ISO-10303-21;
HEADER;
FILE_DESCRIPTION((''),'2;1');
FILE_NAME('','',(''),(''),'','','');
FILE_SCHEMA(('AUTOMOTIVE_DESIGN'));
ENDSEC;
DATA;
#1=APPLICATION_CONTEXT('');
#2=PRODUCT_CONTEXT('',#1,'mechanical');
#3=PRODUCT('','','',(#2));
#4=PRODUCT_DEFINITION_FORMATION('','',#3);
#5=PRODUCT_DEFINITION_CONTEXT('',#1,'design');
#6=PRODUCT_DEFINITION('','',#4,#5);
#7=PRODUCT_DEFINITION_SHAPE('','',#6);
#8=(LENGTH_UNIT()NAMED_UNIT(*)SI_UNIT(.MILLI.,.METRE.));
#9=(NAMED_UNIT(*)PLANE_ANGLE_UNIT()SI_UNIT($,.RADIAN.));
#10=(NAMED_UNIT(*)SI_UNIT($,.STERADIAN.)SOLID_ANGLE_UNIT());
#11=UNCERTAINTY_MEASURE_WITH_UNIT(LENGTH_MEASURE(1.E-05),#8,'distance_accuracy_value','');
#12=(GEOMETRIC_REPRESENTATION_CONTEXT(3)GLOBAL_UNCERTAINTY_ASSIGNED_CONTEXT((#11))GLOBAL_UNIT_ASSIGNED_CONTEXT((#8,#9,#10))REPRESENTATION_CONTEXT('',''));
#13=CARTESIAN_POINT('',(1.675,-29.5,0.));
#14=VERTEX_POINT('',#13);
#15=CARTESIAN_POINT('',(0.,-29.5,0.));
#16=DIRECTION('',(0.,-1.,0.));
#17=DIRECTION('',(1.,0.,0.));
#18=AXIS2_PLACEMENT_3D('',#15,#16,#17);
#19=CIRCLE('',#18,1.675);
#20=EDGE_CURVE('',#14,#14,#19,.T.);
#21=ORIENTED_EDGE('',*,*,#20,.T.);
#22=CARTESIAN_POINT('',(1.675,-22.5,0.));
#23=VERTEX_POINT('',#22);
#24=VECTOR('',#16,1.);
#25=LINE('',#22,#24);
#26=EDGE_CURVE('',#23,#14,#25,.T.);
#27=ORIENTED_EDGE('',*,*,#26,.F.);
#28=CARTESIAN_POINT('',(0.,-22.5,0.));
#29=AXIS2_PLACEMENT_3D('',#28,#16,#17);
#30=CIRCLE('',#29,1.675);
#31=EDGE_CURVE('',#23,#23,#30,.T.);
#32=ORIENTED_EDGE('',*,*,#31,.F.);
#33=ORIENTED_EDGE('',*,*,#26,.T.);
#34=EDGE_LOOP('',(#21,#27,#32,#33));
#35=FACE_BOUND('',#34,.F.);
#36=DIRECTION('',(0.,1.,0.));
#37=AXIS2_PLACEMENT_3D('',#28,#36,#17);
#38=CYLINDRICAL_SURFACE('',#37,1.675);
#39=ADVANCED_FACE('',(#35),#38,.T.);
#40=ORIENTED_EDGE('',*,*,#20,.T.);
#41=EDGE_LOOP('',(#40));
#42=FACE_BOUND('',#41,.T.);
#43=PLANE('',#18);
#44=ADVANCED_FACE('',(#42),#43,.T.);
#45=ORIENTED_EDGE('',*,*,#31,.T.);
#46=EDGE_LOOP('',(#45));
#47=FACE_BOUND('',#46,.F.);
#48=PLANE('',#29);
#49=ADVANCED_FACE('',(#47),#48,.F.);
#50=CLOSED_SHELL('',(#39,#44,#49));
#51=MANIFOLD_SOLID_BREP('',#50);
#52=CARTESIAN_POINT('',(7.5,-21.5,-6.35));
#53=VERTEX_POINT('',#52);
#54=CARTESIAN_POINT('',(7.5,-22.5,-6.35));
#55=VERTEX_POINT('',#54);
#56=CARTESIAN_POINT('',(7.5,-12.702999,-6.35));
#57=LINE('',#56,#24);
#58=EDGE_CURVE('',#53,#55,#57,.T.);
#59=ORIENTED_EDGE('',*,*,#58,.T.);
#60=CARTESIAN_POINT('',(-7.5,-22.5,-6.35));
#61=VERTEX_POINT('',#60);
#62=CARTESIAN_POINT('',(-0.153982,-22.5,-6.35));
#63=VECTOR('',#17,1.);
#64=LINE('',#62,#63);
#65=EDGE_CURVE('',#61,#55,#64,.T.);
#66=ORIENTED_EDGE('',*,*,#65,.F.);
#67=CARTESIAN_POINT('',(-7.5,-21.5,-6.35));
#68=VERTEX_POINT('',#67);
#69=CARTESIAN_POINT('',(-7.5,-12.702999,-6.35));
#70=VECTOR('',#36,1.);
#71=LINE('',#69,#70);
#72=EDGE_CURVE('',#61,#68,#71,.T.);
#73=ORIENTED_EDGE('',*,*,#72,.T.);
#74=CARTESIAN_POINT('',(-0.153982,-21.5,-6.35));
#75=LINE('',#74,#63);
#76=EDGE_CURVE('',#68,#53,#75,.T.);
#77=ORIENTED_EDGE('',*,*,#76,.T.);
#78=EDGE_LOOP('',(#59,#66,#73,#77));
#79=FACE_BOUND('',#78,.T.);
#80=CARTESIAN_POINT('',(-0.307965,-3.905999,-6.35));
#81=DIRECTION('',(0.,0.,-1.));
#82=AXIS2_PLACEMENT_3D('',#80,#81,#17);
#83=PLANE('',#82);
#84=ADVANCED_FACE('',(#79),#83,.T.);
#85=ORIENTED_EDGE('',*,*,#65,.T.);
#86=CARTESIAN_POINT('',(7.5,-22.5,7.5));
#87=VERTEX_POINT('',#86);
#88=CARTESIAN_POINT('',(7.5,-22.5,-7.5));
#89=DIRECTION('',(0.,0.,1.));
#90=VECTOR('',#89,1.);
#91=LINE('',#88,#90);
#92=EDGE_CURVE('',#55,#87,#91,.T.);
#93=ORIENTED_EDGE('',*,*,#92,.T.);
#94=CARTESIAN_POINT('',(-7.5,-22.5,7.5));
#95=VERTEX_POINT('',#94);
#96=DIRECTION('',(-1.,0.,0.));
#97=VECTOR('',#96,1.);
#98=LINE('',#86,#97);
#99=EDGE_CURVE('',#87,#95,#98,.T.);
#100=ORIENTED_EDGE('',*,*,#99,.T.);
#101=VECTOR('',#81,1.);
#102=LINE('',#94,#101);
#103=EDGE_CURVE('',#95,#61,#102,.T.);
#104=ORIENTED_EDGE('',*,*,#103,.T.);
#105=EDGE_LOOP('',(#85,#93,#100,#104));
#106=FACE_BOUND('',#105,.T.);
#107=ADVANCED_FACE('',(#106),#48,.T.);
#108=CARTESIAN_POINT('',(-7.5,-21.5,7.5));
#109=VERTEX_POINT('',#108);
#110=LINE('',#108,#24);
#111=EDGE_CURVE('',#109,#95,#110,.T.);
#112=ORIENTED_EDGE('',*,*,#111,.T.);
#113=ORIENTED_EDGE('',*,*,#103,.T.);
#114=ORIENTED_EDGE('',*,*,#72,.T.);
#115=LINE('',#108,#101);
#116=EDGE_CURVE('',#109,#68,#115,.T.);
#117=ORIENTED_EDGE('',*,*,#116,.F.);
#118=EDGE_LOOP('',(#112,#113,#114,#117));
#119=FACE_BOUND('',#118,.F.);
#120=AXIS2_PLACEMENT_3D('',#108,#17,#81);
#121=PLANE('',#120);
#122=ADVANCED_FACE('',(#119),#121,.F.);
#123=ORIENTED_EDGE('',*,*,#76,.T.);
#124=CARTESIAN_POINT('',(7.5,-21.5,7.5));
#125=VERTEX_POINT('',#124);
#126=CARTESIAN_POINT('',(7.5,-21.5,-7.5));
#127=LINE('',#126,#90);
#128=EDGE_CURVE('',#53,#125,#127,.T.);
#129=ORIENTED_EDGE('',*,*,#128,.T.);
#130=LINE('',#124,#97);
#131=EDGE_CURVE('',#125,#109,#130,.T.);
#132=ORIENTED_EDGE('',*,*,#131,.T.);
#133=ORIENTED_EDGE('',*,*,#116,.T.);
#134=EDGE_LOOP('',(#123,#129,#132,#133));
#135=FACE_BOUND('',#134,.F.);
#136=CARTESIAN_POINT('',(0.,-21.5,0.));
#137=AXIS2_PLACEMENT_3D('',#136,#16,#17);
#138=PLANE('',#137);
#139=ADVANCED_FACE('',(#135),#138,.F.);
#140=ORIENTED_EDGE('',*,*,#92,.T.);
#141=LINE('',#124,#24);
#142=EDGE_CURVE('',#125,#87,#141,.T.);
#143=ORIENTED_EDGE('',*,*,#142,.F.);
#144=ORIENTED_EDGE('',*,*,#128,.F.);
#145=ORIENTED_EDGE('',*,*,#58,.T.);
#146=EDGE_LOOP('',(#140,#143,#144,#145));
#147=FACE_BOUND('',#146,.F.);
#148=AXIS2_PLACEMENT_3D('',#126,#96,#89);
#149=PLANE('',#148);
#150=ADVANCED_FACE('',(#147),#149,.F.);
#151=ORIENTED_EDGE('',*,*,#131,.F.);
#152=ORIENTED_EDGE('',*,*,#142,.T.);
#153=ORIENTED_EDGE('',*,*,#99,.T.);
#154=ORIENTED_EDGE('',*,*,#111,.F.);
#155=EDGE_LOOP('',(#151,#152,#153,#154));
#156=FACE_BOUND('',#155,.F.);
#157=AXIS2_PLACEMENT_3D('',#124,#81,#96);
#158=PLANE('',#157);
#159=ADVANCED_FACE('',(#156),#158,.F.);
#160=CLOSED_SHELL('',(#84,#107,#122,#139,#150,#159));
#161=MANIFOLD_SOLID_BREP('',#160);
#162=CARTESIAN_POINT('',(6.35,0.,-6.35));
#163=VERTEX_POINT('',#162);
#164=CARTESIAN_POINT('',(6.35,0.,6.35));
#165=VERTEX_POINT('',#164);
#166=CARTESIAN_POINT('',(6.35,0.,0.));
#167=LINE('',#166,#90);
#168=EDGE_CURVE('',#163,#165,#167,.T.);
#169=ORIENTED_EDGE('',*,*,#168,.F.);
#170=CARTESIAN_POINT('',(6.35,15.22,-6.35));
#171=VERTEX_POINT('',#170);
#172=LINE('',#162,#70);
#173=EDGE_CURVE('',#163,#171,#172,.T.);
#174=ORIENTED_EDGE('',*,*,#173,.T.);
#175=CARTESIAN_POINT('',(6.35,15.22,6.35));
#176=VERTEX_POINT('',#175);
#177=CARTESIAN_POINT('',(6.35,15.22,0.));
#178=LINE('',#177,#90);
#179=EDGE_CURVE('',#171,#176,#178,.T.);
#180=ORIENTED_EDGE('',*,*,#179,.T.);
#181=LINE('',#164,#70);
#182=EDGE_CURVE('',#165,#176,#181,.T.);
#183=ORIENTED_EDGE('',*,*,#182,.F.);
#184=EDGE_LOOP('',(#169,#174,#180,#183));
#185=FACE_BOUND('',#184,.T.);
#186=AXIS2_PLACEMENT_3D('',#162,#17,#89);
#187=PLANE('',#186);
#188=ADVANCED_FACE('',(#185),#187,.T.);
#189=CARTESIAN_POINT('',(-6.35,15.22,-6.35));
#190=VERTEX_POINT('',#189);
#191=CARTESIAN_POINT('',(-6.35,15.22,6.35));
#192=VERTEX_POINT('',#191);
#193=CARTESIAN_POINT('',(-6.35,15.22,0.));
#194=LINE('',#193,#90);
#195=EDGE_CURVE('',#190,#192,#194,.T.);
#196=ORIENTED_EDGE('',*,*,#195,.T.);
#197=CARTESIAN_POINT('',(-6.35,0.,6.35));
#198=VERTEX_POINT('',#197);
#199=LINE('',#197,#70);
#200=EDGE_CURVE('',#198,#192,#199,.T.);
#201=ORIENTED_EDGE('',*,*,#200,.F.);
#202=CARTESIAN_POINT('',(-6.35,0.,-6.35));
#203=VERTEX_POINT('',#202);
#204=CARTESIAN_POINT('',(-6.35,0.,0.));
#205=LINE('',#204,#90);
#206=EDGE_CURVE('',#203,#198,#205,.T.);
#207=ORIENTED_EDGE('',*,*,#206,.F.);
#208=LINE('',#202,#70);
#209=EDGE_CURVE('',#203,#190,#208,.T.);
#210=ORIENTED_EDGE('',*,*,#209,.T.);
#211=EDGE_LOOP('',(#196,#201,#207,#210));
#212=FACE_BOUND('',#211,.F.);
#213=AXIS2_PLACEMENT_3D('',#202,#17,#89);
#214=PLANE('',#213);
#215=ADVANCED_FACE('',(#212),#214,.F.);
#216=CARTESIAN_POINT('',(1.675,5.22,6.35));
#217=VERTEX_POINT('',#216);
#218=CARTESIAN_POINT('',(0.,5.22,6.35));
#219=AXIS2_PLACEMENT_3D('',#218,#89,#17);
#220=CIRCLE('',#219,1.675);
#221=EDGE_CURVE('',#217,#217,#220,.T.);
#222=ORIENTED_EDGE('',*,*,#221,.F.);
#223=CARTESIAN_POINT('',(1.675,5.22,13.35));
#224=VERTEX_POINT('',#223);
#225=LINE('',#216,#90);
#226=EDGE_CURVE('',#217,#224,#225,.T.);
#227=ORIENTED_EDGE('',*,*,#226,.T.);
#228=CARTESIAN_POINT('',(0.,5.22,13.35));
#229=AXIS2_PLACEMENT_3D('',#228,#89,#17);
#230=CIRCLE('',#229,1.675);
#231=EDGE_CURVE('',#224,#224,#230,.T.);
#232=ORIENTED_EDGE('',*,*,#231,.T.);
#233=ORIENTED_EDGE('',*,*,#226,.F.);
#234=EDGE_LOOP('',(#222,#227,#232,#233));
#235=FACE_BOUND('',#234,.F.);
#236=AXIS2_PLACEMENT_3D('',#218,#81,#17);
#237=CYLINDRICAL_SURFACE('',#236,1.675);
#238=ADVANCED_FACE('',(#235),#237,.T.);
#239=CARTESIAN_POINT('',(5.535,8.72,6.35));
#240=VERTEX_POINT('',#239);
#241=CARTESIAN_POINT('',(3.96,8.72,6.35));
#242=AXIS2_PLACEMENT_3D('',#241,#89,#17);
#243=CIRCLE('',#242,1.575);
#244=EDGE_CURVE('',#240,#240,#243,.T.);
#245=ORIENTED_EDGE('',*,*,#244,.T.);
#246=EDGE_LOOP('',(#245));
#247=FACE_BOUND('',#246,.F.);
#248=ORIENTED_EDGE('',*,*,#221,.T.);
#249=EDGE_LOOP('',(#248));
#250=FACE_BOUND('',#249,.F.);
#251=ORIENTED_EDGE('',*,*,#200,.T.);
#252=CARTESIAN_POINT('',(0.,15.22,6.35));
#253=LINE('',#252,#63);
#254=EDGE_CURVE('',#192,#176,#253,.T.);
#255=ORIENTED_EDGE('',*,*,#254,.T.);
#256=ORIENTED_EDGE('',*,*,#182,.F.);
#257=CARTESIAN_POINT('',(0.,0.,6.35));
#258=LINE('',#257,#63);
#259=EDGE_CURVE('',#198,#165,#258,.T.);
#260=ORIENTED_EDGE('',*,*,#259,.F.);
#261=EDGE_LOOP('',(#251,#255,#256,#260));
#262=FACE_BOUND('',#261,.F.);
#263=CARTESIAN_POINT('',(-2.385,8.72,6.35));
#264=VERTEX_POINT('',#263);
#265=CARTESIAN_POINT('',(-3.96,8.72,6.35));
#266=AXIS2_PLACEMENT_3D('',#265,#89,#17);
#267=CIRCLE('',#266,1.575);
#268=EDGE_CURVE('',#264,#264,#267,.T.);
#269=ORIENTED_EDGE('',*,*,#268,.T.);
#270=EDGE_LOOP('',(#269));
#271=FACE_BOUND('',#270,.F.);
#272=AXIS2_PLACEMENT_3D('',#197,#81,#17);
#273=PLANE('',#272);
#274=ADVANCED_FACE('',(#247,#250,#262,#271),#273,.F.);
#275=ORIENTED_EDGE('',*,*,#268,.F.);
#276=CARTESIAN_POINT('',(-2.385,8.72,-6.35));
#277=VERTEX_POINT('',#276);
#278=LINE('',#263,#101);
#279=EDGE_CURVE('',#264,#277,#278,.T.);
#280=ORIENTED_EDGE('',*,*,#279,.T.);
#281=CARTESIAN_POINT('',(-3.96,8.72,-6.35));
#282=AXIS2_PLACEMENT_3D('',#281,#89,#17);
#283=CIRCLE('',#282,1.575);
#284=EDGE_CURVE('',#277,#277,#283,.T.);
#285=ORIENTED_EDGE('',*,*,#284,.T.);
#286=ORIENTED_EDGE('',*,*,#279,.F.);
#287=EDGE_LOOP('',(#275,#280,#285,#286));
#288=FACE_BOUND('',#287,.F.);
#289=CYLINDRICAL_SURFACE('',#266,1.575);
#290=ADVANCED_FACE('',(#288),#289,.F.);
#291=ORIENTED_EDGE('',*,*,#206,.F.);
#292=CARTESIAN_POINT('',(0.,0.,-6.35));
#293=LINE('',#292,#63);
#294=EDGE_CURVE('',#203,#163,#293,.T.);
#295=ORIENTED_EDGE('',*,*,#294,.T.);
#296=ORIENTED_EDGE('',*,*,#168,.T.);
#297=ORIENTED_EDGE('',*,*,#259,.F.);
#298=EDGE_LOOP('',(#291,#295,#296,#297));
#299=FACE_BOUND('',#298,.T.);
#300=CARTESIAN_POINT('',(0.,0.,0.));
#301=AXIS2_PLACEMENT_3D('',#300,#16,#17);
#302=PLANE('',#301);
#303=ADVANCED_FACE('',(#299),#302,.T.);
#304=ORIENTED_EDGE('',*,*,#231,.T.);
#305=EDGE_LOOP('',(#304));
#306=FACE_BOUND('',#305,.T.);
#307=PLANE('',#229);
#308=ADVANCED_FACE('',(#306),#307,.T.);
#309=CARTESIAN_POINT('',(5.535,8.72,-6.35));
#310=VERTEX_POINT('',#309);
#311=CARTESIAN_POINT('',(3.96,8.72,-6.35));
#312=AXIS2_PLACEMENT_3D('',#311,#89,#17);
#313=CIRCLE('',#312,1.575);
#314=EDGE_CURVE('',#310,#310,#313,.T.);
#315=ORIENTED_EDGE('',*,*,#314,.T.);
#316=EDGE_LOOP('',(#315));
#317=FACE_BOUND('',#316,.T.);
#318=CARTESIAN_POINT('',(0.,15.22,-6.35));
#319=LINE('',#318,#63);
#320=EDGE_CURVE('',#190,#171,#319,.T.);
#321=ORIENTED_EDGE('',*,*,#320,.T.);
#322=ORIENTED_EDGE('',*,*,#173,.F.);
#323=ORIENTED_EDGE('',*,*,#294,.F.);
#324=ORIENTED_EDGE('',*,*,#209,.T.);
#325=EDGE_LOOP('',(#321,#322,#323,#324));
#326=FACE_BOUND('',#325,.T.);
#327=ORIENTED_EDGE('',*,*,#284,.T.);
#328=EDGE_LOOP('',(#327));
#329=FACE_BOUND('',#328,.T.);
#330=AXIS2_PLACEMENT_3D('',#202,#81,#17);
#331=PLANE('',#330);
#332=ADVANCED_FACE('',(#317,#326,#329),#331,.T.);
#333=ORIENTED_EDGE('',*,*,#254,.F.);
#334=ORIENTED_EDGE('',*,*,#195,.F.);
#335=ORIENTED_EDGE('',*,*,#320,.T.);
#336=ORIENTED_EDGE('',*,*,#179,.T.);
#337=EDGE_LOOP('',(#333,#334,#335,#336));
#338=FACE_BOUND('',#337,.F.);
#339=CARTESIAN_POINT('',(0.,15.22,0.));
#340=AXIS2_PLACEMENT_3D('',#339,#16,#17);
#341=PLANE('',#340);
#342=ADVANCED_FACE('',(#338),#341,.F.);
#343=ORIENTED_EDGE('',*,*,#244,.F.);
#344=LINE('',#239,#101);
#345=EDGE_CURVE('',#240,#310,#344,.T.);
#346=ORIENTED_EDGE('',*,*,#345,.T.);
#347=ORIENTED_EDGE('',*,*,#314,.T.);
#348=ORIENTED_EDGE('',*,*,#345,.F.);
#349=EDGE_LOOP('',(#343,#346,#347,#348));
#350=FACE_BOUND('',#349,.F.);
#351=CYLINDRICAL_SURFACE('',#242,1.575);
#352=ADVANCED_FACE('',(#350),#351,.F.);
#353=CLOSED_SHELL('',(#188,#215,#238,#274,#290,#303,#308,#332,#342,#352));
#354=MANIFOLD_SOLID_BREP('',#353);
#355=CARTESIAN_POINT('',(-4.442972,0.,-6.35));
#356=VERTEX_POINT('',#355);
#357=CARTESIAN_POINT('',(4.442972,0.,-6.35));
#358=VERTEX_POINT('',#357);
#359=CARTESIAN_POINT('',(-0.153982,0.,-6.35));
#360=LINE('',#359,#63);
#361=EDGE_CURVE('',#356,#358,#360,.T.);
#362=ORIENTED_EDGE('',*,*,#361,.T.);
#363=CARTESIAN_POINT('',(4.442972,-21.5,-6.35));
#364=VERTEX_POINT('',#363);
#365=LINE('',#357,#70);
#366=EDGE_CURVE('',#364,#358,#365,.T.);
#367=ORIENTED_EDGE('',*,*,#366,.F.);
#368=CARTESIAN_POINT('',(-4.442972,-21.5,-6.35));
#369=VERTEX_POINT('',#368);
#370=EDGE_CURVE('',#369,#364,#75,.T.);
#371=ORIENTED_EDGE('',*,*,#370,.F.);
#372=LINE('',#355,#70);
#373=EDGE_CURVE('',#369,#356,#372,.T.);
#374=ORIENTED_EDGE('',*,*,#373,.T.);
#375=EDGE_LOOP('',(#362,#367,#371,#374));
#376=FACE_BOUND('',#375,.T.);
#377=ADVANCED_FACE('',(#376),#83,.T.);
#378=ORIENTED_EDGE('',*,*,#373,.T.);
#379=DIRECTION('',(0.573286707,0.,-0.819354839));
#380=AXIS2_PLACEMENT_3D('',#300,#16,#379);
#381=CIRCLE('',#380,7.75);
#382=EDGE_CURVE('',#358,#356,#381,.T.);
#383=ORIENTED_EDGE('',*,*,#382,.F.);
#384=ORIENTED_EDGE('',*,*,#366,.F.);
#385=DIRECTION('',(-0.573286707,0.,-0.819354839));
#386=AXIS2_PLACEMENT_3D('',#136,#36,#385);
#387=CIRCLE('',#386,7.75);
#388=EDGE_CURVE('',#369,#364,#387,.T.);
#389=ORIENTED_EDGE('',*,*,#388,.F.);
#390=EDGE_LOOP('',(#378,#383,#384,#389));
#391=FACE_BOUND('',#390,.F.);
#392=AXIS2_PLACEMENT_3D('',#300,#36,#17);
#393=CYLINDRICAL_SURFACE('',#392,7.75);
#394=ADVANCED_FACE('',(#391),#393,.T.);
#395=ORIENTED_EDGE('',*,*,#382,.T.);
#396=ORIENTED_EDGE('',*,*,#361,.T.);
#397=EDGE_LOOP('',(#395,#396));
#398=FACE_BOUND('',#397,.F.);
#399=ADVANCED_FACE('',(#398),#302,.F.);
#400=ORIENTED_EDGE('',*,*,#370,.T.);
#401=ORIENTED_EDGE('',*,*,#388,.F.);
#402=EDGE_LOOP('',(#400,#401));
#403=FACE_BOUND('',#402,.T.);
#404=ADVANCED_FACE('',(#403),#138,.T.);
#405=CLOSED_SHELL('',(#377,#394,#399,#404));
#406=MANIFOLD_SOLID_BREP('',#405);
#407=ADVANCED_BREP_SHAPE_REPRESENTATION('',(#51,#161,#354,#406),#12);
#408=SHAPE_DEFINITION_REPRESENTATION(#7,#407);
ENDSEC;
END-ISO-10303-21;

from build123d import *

# Parameters (mm, degrees)
F0_W      = 12.7
F0_H      = 12.7
F1_DEPTH  = 15.22
F2_R      = 1.575
F3_DEPTH  = 12.7
F4_R      = 1.675
F5_DEPTH  = 7
F6_R      = 7.75
F7_DEPTH  = 21.5
F9_DEPTH  = 1
F10_R     = 1.675
F11_DEPTH = 7
F12_W     = 18.3020820841
F12_H     = 46.3375374675
F13_DEPTH = 25


with BuildPart() as f1:
    # F0 (on Front) → F1 (new body)
    with BuildSketch(Plane.XZ):
        Rectangle(F0_W, F0_H)
    extrude(amount=-F1_DEPTH)

    # F2 (on face) → F3 (cut, through all)
    with BuildSketch(Plane.XY.offset(6.35)):
        with Locations((-3.96, 8.72)):
            Circle(F2_R)
        with Locations((3.96, 8.72)):
            Circle(F2_R)
    extrude(amount=-F3_DEPTH, mode=Mode.SUBTRACT)

    # F4 (on face) → F5 (join)
    with BuildSketch(Plane.XY.offset(6.35)):
        with Locations((0, 5.22)):
            Circle(F4_R)
    extrude(amount=F5_DEPTH)


with BuildPart() as f7:
    # F6 (on face) → F7 (new body)
    with BuildSketch(Plane.XZ):
        Circle(F6_R)
    extrude(amount=F7_DEPTH)


with BuildPart() as f9:
    # F8 (on face) → F9 (new body)
    with BuildSketch(Plane.XZ.offset(21.5)):
        with BuildLine():
            ThreePointArc((7.5, 1.952562419), (5.4800775542, 5.4800775542), (1.952562419, 7.5))
            Line((1.952562419, 7.5), (-1.952562419, 7.5))
            ThreePointArc((-1.952562419, 7.5), (-5.4800775542, 5.4800775542), (-7.5, 1.952562419))
            Line((-7.5, 1.952562419), (-7.5, -1.952562419))
            ThreePointArc((-7.5, -1.952562419), (-5.4800775542, -5.4800775542), (-1.952562419, -7.5))
            Line((-1.952562419, -7.5), (1.952562419, -7.5))
            ThreePointArc((1.952562419, -7.5), (5.4800775542, -5.4800775542), (7.5, -1.952562419))
            Line((7.5, -1.952562419), (7.5, 1.952562419))
        make_face()
        with BuildLine():
            Line((7.5, 1.952562419), (7.5, 7.5))
            Line((7.5, 7.5), (1.952562419, 7.5))
            ThreePointArc((1.952562419, 7.5), (5.4800775542, 5.4800775542), (7.5, 1.952562419))
        make_face()
        with BuildLine():
            ThreePointArc((-7.5, 1.952562419), (-5.4800775542, 5.4800775542), (-1.952562419, 7.5))
            Line((-1.952562419, 7.5), (-7.5, 7.5))
            Line((-7.5, 7.5), (-7.5, 1.952562419))
        make_face()
        with BuildLine():
            Line((7.5, -7.5), (7.5, -1.952562419))
            ThreePointArc((7.5, -1.952562419), (5.4800775542, -5.4800775542), (1.952562419, -7.5))
            Line((1.952562419, -7.5), (7.5, -7.5))
        make_face()
        with BuildLine():
            ThreePointArc((-1.952562419, -7.5), (-5.4800775542, -5.4800775542), (-7.5, -1.952562419))
            Line((-7.5, -1.952562419), (-7.5, -7.5))
            Line((-7.5, -7.5), (-1.952562419, -7.5))
        make_face()
    extrude(amount=F9_DEPTH)


with BuildPart() as f11:
    # F10 (on face) → F11 (new body)
    with BuildSketch(Plane.XZ.offset(22.5)):
        Circle(F10_R)
    extrude(amount=F11_DEPTH)


with BuildPart() as f13_tool:
    # F12 (on face) → F13 (new body)
    with BuildSketch(Plane(origin=(0, 0, -6.35), x_dir=(1, 0, 0), z_dir=(0, 0, -1))):
        with Locations((-0.3079646267, 3.9059985429)):
            Rectangle(F12_W, F12_H)
    extrude(amount=F13_DEPTH)


with BuildPart() as f7_1:
    add(f7.part)

    # F13: cut by f13_tool
    add(f13_tool.part, mode=Mode.SUBTRACT)


with BuildPart() as f9_1:
    add(f9.part)

    # F13: cut by f13_tool
    add(f13_tool.part, mode=Mode.SUBTRACT)


solid = Compound([f1.part, f11.part, f7_1.part, f9_1.part])
